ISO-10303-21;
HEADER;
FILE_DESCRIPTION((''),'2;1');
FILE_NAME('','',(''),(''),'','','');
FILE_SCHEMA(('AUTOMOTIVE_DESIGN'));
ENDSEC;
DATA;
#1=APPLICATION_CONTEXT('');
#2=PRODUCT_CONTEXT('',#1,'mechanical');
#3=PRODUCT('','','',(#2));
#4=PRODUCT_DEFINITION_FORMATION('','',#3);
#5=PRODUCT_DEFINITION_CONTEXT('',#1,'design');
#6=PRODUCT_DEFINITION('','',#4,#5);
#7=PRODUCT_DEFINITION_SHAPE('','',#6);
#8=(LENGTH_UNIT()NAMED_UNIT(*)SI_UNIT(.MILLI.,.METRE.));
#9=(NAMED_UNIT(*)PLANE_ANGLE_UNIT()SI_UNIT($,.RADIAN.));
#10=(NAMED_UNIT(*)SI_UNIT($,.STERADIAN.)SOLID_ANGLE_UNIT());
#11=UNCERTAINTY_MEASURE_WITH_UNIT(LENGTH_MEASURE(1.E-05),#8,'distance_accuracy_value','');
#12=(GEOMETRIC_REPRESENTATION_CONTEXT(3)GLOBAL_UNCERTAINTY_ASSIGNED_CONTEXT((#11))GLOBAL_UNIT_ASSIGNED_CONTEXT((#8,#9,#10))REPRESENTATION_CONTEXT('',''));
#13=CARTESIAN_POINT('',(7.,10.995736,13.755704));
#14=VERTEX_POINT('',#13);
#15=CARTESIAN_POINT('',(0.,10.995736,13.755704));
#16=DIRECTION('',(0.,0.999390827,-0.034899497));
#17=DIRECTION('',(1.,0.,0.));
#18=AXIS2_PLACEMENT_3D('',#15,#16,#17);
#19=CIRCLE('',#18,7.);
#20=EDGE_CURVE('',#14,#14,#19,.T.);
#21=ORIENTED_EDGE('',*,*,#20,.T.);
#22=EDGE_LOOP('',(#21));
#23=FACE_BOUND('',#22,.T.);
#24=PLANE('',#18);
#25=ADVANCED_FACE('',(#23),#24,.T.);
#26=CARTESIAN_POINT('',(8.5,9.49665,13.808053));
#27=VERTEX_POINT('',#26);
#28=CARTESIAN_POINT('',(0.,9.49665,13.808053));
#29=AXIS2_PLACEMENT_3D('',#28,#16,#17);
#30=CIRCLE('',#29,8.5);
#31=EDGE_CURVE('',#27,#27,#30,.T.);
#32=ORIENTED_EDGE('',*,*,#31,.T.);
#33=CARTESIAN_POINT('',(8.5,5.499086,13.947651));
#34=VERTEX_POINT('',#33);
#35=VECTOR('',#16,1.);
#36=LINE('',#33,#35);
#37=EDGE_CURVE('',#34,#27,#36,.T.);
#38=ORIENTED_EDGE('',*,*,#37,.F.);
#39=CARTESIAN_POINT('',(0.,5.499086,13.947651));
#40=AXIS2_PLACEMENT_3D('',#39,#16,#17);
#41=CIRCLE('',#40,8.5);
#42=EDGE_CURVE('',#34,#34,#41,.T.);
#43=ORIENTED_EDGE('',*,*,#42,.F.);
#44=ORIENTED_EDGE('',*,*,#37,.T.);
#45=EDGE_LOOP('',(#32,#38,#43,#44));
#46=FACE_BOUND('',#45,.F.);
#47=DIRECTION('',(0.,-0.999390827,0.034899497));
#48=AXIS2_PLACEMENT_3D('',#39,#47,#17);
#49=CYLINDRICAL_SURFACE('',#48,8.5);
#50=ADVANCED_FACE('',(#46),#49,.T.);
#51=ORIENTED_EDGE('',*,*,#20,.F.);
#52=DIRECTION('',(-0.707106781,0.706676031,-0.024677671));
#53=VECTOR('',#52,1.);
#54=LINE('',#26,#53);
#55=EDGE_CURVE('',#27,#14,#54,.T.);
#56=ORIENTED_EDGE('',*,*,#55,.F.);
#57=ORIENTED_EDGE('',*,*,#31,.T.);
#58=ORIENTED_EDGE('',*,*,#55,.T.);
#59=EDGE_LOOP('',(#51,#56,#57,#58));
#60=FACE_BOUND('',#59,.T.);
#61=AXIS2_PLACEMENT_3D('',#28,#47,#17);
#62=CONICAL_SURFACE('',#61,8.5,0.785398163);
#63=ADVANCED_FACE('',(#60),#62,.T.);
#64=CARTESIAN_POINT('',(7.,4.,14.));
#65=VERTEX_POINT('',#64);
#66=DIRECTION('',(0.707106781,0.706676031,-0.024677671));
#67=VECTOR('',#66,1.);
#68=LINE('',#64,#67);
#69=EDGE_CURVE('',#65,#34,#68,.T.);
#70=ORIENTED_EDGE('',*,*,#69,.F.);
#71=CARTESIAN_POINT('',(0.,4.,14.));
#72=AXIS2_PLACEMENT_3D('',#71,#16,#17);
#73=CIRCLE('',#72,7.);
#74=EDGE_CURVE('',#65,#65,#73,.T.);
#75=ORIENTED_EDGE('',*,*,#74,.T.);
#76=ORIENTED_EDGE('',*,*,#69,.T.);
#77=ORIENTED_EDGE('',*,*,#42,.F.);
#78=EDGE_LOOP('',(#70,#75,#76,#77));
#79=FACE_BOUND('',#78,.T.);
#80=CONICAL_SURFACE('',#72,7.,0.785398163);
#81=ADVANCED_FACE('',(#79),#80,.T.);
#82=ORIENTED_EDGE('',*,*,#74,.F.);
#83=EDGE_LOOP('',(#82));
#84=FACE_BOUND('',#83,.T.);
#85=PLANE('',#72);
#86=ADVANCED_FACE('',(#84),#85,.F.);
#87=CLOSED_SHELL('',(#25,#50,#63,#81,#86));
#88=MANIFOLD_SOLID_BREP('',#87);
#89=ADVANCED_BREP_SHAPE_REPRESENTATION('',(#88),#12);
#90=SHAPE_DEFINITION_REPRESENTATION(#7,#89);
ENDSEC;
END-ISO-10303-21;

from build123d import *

# Parameters (mm, degrees)
CYLINDER012_R                = 8.5
CYLINDER012_DEPTH            = 4
FUSION006005_PLACEMENT_ANGLE = 92


with BuildPart() as cone001:
    # Cone001 → Cone001 (revolve)
    with BuildSketch(Plane(origin=(0, 0, 5.5), x_dir=(1, 0, 0), z_dir=(0, -1, 0))):
        Polygon((0, 0), (8.5, 0), (7, 1.5), (0, 1.5), align=None)
    revolve(axis=Axis((0, 0, 5.5), (0, 0, 1)))


with BuildPart() as cylinder009:
    # Cylinder012 → Cylinder012 (new body)
    with BuildSketch(Plane.XY.offset(1.5)):
        Circle(CYLINDER012_R)
    extrude(amount=CYLINDER012_DEPTH)


with BuildPart() as fusion006005:
    # Cone → Cone (revolve)
    with BuildSketch(Plane.XZ):
        Polygon((0, 0), (7, 0), (8.5, 1.5), (0, 1.5), align=None)
    revolve(axis=Axis((0, 0, 0), (0, 0, 1)))

    # Fusion006005: union Cone001, Cylinder009
    add(cone001.part)
    add(cylinder009.part)


with BuildPart() as fusion006005_1:
    # Fusion006005 placement: moved
    add(fusion006005.part.moved(Location((0, 4, 14))).rotate(Axis((0, 4, 14), (-1, 0, 0)), FUSION006005_PLACEMENT_ANGLE))


solid = fusion006005_1.part
